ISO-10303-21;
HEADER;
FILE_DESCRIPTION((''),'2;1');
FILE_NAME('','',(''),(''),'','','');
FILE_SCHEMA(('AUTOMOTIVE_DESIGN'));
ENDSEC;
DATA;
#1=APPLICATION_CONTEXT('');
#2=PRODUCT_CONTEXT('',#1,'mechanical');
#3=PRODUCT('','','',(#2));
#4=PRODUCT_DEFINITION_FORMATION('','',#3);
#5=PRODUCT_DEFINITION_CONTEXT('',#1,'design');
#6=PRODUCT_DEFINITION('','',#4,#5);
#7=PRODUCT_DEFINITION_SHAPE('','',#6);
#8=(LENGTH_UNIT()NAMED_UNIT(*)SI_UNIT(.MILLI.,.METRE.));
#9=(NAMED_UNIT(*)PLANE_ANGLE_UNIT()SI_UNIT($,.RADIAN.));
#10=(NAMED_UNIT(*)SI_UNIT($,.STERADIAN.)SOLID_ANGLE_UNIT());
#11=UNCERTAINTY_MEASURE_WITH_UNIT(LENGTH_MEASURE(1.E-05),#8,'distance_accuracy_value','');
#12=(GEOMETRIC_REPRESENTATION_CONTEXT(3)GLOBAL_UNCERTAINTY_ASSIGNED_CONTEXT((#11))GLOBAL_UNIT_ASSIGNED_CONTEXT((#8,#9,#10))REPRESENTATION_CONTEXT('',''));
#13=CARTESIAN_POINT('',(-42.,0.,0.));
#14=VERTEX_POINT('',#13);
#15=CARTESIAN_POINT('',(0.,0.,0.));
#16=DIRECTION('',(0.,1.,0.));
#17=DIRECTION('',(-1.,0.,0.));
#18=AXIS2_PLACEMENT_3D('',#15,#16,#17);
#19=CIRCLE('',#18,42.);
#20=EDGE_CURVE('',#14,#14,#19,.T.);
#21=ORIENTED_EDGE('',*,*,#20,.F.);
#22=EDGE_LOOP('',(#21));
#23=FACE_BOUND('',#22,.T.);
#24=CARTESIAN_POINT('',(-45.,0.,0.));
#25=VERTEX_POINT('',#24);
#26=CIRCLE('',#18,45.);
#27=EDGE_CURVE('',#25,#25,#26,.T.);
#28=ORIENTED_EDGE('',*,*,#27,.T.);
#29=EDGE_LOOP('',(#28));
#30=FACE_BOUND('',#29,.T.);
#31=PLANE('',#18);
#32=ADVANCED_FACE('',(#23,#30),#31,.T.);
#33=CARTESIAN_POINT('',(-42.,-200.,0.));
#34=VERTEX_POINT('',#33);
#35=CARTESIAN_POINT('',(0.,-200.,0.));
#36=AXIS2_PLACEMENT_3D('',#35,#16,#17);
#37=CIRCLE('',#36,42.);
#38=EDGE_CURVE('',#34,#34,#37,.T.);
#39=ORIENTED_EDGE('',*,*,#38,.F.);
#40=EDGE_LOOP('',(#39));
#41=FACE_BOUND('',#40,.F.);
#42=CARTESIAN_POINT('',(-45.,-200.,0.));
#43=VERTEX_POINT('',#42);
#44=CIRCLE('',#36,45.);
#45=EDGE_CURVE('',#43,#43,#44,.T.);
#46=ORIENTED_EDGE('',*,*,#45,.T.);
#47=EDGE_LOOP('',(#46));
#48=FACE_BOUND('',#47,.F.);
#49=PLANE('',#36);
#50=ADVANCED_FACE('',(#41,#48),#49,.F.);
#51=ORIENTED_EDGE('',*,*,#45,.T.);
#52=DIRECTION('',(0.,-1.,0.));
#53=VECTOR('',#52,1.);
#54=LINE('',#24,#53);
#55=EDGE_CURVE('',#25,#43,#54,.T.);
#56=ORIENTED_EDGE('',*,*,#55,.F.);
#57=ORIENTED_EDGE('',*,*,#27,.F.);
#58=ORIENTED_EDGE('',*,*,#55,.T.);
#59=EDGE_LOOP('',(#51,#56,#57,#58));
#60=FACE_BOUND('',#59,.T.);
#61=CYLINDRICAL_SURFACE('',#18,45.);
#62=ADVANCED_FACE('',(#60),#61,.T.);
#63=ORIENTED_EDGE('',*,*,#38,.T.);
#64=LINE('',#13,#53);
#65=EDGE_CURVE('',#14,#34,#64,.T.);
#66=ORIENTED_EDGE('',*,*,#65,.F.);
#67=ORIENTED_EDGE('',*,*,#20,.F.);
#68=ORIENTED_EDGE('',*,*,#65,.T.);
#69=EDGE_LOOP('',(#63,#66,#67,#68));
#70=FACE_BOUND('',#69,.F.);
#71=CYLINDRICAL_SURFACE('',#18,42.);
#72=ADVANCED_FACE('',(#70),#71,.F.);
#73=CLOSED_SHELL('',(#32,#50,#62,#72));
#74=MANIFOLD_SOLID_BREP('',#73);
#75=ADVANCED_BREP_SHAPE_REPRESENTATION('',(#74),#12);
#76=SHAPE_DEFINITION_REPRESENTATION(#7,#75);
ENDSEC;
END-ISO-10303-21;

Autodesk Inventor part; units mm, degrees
ref_plane "YZ Plane" through (0, 0, 0) normal (1, 0, 0) x (0, 1, 0)
ref_plane "XZ Plane" through (0, 0, 0) normal (0, 1, 0) x (-1, 0, 0)
ref_plane "XY Plane" through (0, 0, 0) normal (0, 0, 1) x (1, 0, 0)
sketch "Sketch1" plane through (0, 0, 0) normal (0, 1, 0) x (-1, 0, 0)
  circle A0 centre (0, 0) radius 45
  circle A1 centre (0, 0) radius 42
  dimension "d0" = 90
  dimension "d1" = 3
extrude "Extrusion1" add sketch "Sketch1" against normal blind 200
properties part number "PNS- 652 tube"
